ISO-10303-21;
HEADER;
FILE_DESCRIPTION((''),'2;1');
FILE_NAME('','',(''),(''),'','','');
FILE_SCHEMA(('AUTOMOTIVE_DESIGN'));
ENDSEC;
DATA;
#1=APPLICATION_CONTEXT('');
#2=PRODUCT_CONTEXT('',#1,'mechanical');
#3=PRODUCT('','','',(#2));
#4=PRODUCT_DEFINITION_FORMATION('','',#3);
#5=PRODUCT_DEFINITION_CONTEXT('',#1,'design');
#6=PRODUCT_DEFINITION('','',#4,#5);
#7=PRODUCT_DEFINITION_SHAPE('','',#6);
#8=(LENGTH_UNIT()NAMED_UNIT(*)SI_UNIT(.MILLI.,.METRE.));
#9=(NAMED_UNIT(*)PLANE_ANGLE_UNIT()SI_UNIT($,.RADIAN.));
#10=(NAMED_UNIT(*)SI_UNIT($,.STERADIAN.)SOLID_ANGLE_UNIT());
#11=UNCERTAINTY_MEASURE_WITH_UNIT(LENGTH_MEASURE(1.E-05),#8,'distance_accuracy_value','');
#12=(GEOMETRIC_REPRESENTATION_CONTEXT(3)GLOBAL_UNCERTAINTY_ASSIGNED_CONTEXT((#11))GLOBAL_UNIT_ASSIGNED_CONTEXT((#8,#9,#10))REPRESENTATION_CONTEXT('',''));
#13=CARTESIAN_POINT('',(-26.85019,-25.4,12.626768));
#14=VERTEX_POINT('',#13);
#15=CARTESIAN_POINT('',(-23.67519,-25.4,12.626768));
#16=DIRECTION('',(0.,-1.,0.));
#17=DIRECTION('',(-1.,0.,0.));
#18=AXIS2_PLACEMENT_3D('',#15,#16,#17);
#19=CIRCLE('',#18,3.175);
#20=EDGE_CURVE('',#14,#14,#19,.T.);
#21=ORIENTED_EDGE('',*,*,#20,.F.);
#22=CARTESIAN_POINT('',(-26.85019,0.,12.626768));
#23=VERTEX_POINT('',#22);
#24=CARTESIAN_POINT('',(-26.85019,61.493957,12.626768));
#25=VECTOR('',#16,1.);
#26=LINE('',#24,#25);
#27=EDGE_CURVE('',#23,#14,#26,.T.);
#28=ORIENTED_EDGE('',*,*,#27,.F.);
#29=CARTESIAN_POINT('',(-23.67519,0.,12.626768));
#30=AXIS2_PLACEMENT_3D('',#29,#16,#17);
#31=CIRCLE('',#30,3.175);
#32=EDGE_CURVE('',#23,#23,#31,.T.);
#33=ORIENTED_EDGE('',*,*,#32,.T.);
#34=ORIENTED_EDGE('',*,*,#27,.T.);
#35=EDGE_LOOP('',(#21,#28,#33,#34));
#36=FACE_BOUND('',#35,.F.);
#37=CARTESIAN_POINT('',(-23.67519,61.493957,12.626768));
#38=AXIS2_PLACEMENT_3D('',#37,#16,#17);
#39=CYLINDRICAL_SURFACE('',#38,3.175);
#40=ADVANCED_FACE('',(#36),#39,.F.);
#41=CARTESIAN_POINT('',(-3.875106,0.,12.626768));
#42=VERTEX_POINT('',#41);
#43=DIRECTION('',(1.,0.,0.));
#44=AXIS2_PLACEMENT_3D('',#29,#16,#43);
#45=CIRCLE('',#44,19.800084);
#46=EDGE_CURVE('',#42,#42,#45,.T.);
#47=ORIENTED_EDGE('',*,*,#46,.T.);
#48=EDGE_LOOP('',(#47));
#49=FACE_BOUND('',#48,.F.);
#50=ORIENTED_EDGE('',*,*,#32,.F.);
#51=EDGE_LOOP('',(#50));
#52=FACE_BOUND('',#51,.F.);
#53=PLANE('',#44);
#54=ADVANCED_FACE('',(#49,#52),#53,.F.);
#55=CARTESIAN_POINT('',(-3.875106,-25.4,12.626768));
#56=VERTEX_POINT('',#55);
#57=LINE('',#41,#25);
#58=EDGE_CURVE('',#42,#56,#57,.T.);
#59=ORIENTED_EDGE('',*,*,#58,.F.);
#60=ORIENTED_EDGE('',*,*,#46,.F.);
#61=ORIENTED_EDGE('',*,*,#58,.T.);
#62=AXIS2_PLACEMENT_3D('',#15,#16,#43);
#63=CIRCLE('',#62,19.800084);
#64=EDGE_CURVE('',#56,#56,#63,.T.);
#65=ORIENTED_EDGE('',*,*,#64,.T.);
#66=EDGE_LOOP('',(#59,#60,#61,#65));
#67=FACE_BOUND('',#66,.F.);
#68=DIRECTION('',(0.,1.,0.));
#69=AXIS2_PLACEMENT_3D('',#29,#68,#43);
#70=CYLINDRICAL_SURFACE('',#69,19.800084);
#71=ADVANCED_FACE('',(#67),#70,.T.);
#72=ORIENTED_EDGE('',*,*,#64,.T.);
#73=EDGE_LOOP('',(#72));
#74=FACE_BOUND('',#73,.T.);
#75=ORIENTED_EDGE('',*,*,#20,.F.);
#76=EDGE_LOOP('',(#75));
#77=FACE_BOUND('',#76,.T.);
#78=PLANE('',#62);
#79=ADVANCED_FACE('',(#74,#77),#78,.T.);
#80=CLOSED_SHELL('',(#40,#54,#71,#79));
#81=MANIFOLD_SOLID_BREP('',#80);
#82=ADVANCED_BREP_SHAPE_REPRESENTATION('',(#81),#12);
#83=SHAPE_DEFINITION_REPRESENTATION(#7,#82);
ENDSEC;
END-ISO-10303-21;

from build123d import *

# Parameters (mm, degrees)
F0_R     = 19.8000843618
F1_DEPTH = 25.4
F2_D     = 6.35


with BuildPart() as f1:
    # F0 (on Front) → F1 (new body)
    with BuildSketch(Plane.XZ):
        with Locations((-23.6751902848, 12.6267680898)):
            Circle(F0_R)
    extrude(amount=F1_DEPTH)

    # F2 (through all)
    with Locations(Plane(origin=(0, 0, 0), x_dir=(1, 0, 0), z_dir=(0, 1, 0))):
        with Locations((-23.6751902848, -12.6267680898)):
            Hole(F2_D / 2)


solid = f1.part
